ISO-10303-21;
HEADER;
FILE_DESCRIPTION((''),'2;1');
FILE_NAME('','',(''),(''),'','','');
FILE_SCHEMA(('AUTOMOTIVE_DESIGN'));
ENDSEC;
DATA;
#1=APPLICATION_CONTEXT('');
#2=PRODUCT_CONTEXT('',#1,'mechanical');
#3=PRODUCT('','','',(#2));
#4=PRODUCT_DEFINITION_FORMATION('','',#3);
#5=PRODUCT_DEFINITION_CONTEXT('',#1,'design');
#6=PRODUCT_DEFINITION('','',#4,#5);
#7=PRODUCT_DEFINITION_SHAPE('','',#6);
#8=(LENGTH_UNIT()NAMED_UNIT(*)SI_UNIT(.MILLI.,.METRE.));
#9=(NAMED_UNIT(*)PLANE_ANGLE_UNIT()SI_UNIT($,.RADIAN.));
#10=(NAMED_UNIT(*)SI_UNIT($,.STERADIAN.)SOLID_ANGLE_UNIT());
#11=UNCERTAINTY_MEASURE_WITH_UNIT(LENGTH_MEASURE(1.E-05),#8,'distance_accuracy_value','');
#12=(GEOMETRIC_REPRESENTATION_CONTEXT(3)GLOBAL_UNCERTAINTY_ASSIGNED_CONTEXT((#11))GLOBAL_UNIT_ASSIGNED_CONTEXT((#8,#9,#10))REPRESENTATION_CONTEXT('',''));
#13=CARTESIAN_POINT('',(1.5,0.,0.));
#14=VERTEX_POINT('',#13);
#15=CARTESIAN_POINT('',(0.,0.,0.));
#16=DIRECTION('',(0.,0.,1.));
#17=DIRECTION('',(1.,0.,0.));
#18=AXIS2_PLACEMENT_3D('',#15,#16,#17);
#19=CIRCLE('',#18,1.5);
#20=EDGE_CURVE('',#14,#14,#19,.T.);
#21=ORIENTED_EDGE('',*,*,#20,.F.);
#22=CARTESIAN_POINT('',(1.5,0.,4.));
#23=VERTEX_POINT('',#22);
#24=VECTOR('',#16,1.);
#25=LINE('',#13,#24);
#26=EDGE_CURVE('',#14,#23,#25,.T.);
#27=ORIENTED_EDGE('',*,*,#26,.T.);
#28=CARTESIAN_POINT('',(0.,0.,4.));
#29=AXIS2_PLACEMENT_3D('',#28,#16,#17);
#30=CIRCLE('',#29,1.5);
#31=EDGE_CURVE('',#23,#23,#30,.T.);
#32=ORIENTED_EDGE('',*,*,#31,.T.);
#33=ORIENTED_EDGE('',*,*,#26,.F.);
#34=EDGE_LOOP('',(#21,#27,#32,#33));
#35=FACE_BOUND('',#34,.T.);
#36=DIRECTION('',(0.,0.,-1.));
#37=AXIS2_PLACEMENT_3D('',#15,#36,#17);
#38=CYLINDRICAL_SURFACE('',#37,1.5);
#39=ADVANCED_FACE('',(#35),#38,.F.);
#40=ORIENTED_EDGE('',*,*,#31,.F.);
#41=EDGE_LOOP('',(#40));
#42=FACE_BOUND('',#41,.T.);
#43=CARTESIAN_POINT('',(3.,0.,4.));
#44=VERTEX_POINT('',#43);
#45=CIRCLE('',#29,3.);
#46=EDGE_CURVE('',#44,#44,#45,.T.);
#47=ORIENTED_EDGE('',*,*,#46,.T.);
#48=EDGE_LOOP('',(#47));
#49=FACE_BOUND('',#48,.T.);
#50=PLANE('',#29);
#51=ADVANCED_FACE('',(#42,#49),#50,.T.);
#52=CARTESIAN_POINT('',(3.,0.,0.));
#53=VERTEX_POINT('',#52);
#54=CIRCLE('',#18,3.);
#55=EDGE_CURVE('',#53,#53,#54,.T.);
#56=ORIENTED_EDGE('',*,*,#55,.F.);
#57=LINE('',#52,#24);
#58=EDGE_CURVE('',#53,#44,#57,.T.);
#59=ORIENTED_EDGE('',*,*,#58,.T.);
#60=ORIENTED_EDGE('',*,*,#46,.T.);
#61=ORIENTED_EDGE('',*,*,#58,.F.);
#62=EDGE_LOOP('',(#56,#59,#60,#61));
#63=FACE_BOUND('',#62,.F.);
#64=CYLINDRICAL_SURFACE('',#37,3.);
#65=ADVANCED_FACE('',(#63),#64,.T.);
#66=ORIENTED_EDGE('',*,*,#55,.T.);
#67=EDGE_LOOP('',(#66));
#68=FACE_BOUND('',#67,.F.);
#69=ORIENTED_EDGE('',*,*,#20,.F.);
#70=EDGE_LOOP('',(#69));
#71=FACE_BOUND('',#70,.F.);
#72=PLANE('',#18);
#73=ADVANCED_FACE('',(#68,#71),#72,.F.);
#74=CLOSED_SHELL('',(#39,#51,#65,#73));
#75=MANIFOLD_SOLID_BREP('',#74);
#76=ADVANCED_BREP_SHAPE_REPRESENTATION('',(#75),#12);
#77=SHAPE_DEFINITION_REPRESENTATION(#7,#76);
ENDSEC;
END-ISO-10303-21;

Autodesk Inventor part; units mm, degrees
ref_plane "YZ Plane" through (0, 0, 0) normal (1, 0, 0) x (0, 1, 0)
ref_plane "XZ Plane" through (0, 0, 0) normal (0, 1, 0) x (-1, 0, 0)
ref_plane "XY Plane" through (0, 0, 0) normal (0, 0, 1) x (1, 0, 0)
sketch "Sketch2" plane through (0, 0, 0) normal (0, 0, 1) x (1, 0, 0)
  circle A0 centre (0, 0) radius 3
  circle A1 centre (0, 0) radius 1.5
  dimension "d0" = 6
  dimension "d1" = 3
extrude "Extrusion1" add sketch "Sketch2" along normal blind 4
properties part number "3mmBronzeBearings"
